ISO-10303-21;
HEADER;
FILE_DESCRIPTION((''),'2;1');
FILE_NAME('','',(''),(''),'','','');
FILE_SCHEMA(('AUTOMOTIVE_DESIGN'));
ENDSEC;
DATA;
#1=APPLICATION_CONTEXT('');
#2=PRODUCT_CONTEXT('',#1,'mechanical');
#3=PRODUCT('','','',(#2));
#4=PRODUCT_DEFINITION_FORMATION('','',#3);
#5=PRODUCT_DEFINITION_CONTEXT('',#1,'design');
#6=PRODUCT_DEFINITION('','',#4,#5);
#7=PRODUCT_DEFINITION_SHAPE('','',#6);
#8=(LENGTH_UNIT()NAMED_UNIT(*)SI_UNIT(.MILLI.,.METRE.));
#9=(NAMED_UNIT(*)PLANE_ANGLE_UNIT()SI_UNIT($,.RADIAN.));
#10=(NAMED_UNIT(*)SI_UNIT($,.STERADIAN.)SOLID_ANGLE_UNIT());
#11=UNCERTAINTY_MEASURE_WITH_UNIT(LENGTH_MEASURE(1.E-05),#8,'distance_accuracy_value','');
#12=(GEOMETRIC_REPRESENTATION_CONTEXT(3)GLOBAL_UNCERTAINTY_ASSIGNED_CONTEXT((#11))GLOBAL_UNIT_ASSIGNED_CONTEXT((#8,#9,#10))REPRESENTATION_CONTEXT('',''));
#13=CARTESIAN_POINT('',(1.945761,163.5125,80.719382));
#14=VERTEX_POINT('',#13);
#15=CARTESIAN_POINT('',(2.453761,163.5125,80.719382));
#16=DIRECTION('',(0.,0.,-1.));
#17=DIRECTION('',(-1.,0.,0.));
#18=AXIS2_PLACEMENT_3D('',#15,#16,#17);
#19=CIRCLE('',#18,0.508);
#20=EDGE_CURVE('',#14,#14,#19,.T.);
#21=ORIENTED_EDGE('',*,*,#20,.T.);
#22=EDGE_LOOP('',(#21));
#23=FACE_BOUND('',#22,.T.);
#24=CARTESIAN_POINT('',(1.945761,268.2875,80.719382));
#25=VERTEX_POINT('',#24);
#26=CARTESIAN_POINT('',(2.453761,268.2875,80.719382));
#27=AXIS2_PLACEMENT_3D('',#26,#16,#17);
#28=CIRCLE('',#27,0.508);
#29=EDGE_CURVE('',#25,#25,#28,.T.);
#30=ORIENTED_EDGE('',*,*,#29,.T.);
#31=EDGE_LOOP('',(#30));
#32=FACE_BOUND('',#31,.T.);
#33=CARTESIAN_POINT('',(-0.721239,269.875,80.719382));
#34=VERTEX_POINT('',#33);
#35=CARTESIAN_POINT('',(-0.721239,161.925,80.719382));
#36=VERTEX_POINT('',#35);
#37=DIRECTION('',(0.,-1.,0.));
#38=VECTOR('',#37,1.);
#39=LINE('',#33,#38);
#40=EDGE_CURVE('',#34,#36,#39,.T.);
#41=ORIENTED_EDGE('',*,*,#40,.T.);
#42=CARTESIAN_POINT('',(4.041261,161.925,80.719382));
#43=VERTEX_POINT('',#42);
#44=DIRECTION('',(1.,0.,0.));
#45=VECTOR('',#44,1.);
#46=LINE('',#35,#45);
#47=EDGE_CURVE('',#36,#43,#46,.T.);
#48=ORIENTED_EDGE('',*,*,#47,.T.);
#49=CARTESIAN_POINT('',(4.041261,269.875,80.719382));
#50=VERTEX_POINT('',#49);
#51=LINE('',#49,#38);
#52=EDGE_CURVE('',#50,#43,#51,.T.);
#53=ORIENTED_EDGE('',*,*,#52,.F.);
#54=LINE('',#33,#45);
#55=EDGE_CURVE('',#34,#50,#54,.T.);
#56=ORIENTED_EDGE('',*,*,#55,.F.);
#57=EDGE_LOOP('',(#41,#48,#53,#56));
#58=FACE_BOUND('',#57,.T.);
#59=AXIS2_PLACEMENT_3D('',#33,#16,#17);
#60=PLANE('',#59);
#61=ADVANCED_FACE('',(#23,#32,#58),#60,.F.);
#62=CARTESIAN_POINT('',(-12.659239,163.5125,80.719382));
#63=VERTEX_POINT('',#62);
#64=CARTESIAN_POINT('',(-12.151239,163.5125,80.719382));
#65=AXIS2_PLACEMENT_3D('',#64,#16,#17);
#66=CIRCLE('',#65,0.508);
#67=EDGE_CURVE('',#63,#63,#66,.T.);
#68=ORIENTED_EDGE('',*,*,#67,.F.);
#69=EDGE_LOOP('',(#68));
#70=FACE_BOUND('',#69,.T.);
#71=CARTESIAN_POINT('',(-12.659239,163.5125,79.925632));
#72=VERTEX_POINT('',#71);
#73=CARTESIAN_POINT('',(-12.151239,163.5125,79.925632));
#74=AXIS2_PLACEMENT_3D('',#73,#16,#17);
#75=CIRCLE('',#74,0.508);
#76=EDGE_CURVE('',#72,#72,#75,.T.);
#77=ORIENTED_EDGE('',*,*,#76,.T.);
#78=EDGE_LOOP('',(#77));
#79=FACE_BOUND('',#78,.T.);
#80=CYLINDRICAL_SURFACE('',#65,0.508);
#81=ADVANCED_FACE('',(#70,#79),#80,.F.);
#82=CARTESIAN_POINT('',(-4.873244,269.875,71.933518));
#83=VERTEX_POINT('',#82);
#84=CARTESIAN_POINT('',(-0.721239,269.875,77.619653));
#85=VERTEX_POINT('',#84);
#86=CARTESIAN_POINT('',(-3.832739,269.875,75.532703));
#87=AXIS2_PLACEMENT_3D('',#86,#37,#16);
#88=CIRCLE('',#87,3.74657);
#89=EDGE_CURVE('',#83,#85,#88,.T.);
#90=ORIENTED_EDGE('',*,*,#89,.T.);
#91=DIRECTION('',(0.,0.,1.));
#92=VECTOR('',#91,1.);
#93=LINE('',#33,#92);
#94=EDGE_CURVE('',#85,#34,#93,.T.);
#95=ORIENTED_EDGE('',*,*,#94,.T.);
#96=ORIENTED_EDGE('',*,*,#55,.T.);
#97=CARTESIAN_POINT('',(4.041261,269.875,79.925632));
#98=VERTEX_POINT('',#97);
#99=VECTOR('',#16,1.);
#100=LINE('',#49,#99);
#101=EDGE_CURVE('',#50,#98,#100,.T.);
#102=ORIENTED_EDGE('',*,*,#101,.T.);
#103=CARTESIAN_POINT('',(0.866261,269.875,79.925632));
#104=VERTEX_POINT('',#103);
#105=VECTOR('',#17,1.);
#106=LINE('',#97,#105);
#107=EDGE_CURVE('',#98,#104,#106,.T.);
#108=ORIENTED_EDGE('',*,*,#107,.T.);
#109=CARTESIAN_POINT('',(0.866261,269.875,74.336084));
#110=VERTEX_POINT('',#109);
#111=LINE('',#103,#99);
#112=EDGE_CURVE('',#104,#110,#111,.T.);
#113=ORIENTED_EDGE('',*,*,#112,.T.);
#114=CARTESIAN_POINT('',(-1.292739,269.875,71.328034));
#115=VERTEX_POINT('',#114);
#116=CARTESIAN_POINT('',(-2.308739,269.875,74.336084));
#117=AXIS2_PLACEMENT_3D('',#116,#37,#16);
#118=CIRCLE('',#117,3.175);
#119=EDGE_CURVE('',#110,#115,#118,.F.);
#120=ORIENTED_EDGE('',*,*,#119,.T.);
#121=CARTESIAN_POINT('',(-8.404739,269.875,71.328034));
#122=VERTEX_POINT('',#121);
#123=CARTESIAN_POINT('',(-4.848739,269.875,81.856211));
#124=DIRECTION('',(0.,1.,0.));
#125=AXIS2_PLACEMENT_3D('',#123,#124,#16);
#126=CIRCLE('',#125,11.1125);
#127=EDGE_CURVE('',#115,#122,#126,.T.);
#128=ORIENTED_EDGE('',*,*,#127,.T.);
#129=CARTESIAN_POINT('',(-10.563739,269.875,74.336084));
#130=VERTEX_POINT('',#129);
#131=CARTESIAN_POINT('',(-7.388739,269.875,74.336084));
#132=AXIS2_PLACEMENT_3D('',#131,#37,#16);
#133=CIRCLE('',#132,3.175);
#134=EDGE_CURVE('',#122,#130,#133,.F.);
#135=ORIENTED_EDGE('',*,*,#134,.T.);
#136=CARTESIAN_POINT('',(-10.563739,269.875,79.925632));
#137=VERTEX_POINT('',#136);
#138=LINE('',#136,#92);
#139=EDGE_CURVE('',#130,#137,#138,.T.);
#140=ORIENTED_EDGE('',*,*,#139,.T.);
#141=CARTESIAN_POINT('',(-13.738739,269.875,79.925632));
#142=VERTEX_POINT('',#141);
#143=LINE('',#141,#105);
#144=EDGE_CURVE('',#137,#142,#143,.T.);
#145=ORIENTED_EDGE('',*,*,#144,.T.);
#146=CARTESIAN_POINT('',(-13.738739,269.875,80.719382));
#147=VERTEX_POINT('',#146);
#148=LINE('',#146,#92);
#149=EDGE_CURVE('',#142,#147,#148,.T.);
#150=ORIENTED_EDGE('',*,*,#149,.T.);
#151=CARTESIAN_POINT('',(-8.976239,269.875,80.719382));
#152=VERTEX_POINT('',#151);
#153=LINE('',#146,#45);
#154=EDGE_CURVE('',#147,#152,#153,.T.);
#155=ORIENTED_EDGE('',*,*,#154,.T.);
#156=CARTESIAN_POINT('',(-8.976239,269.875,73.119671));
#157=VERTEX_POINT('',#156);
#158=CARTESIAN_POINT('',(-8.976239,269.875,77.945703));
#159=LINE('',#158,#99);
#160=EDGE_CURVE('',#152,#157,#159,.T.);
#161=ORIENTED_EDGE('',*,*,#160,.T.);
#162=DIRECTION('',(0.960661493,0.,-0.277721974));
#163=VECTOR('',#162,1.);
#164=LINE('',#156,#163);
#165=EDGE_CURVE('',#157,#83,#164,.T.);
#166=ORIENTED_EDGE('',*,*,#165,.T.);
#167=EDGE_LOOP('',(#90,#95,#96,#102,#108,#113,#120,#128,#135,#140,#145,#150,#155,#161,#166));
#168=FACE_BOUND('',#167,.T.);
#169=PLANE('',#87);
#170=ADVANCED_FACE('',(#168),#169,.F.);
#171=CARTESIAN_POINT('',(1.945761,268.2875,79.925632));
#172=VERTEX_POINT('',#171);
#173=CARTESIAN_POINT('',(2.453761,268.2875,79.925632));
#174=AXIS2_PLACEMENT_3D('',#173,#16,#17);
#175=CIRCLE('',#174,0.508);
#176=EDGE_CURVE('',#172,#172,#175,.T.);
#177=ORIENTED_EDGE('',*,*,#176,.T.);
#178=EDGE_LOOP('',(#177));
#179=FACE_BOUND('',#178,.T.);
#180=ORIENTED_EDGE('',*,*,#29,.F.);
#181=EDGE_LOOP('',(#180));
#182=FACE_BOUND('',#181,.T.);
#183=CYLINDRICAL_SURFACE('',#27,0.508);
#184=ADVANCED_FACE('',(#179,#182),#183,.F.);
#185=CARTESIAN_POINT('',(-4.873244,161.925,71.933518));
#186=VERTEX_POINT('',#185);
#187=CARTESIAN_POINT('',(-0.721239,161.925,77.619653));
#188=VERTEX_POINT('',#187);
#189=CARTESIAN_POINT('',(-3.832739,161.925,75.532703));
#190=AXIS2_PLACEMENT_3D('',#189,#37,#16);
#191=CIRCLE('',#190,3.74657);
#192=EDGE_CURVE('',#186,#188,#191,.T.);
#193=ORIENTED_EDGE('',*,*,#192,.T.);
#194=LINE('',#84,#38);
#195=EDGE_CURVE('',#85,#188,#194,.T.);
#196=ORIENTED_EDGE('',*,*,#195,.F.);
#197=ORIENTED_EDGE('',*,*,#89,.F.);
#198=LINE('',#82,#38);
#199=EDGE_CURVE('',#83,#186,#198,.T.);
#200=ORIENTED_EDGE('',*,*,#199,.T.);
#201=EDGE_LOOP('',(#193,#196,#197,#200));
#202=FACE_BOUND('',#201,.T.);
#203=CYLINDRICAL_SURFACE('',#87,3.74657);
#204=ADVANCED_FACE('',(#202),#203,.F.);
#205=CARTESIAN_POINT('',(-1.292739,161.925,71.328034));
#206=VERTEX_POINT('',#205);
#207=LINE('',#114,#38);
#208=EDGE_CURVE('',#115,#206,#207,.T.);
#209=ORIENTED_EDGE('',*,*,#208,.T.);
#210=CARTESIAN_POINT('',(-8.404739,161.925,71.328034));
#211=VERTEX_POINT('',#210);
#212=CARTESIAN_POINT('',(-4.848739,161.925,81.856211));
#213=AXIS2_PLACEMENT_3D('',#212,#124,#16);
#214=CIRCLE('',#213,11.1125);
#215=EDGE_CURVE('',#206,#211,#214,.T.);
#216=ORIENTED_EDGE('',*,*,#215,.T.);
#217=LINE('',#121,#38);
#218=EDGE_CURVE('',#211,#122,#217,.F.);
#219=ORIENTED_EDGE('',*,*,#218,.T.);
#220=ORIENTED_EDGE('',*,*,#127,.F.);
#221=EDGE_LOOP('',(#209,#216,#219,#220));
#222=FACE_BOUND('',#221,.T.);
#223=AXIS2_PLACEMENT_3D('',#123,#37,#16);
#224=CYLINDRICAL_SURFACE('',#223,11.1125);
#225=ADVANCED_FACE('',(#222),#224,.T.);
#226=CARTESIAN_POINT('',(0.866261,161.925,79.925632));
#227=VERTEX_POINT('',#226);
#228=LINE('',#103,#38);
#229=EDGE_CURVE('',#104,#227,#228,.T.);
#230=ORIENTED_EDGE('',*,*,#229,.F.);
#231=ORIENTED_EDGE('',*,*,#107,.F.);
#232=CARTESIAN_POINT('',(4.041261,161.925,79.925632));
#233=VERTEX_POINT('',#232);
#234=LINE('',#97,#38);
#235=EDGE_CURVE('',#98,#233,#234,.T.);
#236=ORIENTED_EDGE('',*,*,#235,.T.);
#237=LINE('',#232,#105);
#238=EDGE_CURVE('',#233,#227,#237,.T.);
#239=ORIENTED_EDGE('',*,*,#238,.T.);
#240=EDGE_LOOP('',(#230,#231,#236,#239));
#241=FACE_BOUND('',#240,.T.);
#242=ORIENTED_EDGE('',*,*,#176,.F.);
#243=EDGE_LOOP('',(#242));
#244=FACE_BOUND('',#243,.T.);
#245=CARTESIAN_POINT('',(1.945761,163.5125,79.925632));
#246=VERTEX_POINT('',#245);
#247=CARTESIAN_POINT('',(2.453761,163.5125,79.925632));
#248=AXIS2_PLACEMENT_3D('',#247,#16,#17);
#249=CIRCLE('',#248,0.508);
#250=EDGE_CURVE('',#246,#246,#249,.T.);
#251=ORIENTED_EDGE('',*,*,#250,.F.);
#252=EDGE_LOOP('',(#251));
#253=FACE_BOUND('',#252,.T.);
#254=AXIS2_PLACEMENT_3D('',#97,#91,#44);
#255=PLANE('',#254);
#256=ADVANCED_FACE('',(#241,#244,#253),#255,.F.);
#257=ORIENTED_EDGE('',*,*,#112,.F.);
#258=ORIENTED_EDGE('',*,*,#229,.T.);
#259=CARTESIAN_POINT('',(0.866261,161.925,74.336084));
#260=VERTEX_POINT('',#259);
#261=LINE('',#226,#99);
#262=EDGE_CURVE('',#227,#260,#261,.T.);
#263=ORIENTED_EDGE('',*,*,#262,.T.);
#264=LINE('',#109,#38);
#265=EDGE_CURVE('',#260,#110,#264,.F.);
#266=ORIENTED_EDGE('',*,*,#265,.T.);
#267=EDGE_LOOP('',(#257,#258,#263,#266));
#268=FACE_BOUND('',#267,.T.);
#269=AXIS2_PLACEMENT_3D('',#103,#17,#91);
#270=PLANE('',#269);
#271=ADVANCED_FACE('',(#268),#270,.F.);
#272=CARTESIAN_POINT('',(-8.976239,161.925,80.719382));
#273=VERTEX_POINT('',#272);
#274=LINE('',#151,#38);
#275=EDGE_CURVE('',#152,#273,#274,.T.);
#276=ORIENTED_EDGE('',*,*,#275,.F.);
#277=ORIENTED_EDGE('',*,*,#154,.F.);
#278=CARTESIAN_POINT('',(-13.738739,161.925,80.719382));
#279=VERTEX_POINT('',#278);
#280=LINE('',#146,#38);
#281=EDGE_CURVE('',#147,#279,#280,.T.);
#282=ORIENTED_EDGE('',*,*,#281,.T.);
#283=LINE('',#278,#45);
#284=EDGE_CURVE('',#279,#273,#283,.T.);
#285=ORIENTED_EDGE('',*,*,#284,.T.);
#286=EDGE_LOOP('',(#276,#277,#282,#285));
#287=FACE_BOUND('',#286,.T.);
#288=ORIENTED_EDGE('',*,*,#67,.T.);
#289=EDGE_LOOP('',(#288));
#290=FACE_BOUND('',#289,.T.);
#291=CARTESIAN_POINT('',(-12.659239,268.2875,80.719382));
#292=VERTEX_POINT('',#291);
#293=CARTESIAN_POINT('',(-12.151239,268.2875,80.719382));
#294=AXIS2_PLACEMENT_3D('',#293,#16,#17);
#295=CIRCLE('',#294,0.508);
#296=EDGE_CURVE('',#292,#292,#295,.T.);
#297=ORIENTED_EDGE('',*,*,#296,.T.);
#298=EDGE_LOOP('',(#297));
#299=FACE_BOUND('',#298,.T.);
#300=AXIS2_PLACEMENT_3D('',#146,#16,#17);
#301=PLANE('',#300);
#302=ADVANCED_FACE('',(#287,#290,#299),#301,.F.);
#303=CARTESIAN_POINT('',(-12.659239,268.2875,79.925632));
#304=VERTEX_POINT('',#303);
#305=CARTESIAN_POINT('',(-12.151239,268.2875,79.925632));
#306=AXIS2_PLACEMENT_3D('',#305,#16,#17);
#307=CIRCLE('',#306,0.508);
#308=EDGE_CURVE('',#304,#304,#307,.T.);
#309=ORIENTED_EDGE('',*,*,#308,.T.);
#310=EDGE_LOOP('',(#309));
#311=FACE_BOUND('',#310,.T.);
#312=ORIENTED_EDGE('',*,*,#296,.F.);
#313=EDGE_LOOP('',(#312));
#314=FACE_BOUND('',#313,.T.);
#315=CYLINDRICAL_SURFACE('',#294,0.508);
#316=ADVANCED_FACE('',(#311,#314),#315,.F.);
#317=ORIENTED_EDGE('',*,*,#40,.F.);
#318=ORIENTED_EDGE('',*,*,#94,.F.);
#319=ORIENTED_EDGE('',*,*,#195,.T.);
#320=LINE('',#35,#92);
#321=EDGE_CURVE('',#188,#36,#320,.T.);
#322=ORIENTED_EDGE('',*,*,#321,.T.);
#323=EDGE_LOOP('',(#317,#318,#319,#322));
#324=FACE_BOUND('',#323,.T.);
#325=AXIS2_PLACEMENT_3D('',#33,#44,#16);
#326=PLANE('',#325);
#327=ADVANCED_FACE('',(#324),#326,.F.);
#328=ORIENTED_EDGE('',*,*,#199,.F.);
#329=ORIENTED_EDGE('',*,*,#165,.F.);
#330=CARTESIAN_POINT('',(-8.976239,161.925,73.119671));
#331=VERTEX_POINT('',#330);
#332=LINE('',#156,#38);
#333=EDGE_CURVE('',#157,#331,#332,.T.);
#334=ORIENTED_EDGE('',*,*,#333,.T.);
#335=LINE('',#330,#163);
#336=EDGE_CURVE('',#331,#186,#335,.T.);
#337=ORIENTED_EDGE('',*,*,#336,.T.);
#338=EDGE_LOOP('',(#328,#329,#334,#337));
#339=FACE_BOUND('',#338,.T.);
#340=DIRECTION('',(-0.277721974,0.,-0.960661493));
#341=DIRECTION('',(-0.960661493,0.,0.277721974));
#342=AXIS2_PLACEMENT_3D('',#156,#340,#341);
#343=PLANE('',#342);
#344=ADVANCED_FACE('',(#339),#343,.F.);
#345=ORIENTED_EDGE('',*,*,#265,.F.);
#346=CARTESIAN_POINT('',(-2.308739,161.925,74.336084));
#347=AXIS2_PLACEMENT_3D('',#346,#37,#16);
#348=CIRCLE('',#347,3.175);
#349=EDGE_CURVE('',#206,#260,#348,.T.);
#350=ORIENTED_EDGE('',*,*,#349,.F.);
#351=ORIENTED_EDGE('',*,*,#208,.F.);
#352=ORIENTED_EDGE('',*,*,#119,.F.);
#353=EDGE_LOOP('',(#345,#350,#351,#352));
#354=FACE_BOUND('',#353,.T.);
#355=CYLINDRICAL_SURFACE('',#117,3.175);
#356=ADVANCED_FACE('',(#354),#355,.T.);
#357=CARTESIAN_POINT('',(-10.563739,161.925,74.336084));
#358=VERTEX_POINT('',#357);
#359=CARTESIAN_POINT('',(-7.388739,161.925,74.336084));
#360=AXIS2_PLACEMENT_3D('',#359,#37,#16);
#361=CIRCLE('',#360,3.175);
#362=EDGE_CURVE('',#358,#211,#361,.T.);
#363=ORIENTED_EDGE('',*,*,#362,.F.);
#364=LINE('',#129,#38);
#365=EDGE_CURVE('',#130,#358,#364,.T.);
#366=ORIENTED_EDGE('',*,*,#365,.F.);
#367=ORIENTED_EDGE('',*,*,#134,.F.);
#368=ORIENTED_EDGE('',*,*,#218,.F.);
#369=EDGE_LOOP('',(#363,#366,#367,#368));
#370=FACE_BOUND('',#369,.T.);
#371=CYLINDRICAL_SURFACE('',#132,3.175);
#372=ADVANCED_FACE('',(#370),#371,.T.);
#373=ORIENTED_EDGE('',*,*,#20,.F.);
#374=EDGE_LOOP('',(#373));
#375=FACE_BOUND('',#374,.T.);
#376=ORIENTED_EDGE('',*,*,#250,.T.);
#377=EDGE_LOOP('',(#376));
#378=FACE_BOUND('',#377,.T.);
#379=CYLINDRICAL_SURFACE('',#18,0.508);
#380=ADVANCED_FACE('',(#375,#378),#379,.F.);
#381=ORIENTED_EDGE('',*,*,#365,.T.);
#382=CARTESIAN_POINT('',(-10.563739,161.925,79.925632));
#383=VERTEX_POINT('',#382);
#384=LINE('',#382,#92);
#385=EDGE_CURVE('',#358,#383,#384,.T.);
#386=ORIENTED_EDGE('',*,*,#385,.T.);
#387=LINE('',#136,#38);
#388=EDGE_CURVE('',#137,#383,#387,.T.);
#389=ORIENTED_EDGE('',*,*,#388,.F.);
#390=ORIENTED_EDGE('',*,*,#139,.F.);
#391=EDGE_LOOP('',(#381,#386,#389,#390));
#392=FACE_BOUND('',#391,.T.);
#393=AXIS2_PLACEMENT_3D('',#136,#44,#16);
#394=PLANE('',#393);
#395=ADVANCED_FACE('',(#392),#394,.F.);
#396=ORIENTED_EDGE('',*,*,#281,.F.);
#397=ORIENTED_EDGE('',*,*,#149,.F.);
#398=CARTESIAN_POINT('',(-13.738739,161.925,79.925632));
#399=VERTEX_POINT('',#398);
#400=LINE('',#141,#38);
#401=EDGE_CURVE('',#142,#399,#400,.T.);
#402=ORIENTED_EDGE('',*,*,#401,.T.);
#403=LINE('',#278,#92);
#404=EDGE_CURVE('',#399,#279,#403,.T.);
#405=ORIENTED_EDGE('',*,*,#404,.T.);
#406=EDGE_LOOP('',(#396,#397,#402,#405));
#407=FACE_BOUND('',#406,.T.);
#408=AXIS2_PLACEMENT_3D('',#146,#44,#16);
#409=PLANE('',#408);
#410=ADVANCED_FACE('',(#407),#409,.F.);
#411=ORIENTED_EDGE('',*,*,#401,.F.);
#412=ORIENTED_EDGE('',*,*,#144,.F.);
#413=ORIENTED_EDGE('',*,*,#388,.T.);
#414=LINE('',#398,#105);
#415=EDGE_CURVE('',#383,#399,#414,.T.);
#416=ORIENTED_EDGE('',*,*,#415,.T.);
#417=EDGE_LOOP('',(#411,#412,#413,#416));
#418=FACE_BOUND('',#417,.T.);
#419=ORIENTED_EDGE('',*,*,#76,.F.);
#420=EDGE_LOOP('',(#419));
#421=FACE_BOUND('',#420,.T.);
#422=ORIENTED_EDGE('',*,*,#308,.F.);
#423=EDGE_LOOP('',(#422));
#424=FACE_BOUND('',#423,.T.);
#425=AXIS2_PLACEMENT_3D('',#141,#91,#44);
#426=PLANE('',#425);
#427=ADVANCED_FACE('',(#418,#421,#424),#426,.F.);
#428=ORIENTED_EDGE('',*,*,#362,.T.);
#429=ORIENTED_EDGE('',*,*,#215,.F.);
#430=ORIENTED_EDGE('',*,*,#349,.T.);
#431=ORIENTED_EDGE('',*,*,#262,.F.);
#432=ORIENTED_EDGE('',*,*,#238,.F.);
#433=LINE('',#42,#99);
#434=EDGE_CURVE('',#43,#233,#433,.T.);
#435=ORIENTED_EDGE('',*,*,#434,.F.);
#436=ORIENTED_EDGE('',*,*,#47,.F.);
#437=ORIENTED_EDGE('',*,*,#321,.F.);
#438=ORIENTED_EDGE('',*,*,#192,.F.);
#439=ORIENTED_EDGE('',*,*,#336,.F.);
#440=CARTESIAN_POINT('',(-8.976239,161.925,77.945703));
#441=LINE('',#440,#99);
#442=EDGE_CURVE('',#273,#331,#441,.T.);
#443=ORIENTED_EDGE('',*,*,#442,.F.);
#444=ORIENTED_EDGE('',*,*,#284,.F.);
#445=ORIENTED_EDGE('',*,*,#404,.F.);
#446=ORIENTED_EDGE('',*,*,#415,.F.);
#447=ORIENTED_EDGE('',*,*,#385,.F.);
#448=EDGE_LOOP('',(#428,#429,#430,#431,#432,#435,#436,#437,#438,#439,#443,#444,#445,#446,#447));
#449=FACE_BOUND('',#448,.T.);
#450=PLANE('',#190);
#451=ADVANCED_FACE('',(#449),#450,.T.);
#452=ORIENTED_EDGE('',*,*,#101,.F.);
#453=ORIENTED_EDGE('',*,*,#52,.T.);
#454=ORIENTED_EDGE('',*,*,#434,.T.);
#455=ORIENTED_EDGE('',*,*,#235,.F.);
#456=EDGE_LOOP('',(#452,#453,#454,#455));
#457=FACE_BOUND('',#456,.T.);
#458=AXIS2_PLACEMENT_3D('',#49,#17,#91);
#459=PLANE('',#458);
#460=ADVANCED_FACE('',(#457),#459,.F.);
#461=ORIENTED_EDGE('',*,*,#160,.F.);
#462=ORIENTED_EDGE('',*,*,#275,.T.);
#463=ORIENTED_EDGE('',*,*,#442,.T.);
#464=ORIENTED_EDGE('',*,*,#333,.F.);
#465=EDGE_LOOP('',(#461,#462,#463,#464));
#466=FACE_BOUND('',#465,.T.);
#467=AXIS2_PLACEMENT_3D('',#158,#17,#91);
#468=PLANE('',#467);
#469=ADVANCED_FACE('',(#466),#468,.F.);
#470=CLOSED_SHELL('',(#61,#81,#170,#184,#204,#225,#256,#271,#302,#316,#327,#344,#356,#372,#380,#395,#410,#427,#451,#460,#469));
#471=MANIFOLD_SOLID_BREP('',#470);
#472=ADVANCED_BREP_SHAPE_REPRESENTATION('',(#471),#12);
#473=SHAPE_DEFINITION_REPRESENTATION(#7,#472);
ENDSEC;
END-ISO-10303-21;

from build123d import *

# Parameters (mm, degrees)
BOSS_EXTRUDE1_DEPTH = 431.8
FILLET2_R           = 12.7
SKETCH2_R           = 2.032
CUT_EXTRUDE1_DEPTH  = 436.166892099
SCALE1_SCALE        = 0.25


with BuildPart() as part:
    # Sketch1 → Boss-Extrude1 (new body)
    with BuildSketch(Plane(origin=(0, 0, 0), x_dir=(1, 0, 0), z_dir=(0, 1, 0))):
        with BuildLine():
            Line((12.446, -95.666893232), (12.446, -83.267976842))
            ThreePointArc((12.446, -83.267976842), (12.103082443, -66.082532596), (-4.162019583, -60.523437125))
            Line((-4.162019583, -60.523437125), (-20.574, -65.268050741))
            Line((-20.574, -65.268050741), (-20.574, -84.572180345))
            Line((-20.574, -84.572180345), (-20.574, -95.666893232))
            Line((-20.574, -95.666893232), (-39.624, -95.666893232))
            Line((-39.624, -95.666893232), (-39.624, -92.491893232))
            Line((-39.624, -92.491893232), (-26.924, -92.491893232))
            Line((-26.924, -92.491893232), (-26.924, -62.093050741))
            ThreePointArc((-26.924, -62.093050741), (-4.064, -55.764211531), (18.796, -62.093050741))
            Line((18.796, -62.093050741), (18.796, -92.491893232))
            Line((18.796, -92.491893232), (31.496, -92.491893232))
            Line((31.496, -92.491893232), (31.496, -95.666893232))
            Line((31.496, -95.666893232), (12.446, -95.666893232))
        make_face()
    extrude(amount=BOSS_EXTRUDE1_DEPTH)

    # Fillet2
    fillet2_edges = [part.edges().sort_by_distance(p)[0] for p in [
        (-26.924, 215.9, 62.093050741),
        (18.796, 215.9, 62.093050741),
    ]]
    fillet(fillet2_edges, radius=FILLET2_R)

    # Sketch2 → Cut-Extrude1 (cut, through all)
    with BuildSketch(Plane(origin=(0, 0, 92.491893232), x_dir=(-1, 0, 0), z_dir=(0, 0, -1))):
        with Locations((-25.146, 425.45)):
            Circle(SKETCH2_R)
        with Locations((-25.146, 6.35)):
            Circle(SKETCH2_R)
        with Locations((33.274, 425.45)):
            Circle(SKETCH2_R)
        with Locations((33.274, 6.35)):
            Circle(SKETCH2_R)
    extrude(amount=-CUT_EXTRUDE1_DEPTH, mode=Mode.SUBTRACT)


with BuildPart() as part_1:
    # Scale1: scaled about (-5.110319003, 215.9, 75.736877767)
    add(part.part.scale(SCALE1_SCALE).moved(Location((-3.832739252, 161.925, 56.802658325))))


solid = part_1.part
